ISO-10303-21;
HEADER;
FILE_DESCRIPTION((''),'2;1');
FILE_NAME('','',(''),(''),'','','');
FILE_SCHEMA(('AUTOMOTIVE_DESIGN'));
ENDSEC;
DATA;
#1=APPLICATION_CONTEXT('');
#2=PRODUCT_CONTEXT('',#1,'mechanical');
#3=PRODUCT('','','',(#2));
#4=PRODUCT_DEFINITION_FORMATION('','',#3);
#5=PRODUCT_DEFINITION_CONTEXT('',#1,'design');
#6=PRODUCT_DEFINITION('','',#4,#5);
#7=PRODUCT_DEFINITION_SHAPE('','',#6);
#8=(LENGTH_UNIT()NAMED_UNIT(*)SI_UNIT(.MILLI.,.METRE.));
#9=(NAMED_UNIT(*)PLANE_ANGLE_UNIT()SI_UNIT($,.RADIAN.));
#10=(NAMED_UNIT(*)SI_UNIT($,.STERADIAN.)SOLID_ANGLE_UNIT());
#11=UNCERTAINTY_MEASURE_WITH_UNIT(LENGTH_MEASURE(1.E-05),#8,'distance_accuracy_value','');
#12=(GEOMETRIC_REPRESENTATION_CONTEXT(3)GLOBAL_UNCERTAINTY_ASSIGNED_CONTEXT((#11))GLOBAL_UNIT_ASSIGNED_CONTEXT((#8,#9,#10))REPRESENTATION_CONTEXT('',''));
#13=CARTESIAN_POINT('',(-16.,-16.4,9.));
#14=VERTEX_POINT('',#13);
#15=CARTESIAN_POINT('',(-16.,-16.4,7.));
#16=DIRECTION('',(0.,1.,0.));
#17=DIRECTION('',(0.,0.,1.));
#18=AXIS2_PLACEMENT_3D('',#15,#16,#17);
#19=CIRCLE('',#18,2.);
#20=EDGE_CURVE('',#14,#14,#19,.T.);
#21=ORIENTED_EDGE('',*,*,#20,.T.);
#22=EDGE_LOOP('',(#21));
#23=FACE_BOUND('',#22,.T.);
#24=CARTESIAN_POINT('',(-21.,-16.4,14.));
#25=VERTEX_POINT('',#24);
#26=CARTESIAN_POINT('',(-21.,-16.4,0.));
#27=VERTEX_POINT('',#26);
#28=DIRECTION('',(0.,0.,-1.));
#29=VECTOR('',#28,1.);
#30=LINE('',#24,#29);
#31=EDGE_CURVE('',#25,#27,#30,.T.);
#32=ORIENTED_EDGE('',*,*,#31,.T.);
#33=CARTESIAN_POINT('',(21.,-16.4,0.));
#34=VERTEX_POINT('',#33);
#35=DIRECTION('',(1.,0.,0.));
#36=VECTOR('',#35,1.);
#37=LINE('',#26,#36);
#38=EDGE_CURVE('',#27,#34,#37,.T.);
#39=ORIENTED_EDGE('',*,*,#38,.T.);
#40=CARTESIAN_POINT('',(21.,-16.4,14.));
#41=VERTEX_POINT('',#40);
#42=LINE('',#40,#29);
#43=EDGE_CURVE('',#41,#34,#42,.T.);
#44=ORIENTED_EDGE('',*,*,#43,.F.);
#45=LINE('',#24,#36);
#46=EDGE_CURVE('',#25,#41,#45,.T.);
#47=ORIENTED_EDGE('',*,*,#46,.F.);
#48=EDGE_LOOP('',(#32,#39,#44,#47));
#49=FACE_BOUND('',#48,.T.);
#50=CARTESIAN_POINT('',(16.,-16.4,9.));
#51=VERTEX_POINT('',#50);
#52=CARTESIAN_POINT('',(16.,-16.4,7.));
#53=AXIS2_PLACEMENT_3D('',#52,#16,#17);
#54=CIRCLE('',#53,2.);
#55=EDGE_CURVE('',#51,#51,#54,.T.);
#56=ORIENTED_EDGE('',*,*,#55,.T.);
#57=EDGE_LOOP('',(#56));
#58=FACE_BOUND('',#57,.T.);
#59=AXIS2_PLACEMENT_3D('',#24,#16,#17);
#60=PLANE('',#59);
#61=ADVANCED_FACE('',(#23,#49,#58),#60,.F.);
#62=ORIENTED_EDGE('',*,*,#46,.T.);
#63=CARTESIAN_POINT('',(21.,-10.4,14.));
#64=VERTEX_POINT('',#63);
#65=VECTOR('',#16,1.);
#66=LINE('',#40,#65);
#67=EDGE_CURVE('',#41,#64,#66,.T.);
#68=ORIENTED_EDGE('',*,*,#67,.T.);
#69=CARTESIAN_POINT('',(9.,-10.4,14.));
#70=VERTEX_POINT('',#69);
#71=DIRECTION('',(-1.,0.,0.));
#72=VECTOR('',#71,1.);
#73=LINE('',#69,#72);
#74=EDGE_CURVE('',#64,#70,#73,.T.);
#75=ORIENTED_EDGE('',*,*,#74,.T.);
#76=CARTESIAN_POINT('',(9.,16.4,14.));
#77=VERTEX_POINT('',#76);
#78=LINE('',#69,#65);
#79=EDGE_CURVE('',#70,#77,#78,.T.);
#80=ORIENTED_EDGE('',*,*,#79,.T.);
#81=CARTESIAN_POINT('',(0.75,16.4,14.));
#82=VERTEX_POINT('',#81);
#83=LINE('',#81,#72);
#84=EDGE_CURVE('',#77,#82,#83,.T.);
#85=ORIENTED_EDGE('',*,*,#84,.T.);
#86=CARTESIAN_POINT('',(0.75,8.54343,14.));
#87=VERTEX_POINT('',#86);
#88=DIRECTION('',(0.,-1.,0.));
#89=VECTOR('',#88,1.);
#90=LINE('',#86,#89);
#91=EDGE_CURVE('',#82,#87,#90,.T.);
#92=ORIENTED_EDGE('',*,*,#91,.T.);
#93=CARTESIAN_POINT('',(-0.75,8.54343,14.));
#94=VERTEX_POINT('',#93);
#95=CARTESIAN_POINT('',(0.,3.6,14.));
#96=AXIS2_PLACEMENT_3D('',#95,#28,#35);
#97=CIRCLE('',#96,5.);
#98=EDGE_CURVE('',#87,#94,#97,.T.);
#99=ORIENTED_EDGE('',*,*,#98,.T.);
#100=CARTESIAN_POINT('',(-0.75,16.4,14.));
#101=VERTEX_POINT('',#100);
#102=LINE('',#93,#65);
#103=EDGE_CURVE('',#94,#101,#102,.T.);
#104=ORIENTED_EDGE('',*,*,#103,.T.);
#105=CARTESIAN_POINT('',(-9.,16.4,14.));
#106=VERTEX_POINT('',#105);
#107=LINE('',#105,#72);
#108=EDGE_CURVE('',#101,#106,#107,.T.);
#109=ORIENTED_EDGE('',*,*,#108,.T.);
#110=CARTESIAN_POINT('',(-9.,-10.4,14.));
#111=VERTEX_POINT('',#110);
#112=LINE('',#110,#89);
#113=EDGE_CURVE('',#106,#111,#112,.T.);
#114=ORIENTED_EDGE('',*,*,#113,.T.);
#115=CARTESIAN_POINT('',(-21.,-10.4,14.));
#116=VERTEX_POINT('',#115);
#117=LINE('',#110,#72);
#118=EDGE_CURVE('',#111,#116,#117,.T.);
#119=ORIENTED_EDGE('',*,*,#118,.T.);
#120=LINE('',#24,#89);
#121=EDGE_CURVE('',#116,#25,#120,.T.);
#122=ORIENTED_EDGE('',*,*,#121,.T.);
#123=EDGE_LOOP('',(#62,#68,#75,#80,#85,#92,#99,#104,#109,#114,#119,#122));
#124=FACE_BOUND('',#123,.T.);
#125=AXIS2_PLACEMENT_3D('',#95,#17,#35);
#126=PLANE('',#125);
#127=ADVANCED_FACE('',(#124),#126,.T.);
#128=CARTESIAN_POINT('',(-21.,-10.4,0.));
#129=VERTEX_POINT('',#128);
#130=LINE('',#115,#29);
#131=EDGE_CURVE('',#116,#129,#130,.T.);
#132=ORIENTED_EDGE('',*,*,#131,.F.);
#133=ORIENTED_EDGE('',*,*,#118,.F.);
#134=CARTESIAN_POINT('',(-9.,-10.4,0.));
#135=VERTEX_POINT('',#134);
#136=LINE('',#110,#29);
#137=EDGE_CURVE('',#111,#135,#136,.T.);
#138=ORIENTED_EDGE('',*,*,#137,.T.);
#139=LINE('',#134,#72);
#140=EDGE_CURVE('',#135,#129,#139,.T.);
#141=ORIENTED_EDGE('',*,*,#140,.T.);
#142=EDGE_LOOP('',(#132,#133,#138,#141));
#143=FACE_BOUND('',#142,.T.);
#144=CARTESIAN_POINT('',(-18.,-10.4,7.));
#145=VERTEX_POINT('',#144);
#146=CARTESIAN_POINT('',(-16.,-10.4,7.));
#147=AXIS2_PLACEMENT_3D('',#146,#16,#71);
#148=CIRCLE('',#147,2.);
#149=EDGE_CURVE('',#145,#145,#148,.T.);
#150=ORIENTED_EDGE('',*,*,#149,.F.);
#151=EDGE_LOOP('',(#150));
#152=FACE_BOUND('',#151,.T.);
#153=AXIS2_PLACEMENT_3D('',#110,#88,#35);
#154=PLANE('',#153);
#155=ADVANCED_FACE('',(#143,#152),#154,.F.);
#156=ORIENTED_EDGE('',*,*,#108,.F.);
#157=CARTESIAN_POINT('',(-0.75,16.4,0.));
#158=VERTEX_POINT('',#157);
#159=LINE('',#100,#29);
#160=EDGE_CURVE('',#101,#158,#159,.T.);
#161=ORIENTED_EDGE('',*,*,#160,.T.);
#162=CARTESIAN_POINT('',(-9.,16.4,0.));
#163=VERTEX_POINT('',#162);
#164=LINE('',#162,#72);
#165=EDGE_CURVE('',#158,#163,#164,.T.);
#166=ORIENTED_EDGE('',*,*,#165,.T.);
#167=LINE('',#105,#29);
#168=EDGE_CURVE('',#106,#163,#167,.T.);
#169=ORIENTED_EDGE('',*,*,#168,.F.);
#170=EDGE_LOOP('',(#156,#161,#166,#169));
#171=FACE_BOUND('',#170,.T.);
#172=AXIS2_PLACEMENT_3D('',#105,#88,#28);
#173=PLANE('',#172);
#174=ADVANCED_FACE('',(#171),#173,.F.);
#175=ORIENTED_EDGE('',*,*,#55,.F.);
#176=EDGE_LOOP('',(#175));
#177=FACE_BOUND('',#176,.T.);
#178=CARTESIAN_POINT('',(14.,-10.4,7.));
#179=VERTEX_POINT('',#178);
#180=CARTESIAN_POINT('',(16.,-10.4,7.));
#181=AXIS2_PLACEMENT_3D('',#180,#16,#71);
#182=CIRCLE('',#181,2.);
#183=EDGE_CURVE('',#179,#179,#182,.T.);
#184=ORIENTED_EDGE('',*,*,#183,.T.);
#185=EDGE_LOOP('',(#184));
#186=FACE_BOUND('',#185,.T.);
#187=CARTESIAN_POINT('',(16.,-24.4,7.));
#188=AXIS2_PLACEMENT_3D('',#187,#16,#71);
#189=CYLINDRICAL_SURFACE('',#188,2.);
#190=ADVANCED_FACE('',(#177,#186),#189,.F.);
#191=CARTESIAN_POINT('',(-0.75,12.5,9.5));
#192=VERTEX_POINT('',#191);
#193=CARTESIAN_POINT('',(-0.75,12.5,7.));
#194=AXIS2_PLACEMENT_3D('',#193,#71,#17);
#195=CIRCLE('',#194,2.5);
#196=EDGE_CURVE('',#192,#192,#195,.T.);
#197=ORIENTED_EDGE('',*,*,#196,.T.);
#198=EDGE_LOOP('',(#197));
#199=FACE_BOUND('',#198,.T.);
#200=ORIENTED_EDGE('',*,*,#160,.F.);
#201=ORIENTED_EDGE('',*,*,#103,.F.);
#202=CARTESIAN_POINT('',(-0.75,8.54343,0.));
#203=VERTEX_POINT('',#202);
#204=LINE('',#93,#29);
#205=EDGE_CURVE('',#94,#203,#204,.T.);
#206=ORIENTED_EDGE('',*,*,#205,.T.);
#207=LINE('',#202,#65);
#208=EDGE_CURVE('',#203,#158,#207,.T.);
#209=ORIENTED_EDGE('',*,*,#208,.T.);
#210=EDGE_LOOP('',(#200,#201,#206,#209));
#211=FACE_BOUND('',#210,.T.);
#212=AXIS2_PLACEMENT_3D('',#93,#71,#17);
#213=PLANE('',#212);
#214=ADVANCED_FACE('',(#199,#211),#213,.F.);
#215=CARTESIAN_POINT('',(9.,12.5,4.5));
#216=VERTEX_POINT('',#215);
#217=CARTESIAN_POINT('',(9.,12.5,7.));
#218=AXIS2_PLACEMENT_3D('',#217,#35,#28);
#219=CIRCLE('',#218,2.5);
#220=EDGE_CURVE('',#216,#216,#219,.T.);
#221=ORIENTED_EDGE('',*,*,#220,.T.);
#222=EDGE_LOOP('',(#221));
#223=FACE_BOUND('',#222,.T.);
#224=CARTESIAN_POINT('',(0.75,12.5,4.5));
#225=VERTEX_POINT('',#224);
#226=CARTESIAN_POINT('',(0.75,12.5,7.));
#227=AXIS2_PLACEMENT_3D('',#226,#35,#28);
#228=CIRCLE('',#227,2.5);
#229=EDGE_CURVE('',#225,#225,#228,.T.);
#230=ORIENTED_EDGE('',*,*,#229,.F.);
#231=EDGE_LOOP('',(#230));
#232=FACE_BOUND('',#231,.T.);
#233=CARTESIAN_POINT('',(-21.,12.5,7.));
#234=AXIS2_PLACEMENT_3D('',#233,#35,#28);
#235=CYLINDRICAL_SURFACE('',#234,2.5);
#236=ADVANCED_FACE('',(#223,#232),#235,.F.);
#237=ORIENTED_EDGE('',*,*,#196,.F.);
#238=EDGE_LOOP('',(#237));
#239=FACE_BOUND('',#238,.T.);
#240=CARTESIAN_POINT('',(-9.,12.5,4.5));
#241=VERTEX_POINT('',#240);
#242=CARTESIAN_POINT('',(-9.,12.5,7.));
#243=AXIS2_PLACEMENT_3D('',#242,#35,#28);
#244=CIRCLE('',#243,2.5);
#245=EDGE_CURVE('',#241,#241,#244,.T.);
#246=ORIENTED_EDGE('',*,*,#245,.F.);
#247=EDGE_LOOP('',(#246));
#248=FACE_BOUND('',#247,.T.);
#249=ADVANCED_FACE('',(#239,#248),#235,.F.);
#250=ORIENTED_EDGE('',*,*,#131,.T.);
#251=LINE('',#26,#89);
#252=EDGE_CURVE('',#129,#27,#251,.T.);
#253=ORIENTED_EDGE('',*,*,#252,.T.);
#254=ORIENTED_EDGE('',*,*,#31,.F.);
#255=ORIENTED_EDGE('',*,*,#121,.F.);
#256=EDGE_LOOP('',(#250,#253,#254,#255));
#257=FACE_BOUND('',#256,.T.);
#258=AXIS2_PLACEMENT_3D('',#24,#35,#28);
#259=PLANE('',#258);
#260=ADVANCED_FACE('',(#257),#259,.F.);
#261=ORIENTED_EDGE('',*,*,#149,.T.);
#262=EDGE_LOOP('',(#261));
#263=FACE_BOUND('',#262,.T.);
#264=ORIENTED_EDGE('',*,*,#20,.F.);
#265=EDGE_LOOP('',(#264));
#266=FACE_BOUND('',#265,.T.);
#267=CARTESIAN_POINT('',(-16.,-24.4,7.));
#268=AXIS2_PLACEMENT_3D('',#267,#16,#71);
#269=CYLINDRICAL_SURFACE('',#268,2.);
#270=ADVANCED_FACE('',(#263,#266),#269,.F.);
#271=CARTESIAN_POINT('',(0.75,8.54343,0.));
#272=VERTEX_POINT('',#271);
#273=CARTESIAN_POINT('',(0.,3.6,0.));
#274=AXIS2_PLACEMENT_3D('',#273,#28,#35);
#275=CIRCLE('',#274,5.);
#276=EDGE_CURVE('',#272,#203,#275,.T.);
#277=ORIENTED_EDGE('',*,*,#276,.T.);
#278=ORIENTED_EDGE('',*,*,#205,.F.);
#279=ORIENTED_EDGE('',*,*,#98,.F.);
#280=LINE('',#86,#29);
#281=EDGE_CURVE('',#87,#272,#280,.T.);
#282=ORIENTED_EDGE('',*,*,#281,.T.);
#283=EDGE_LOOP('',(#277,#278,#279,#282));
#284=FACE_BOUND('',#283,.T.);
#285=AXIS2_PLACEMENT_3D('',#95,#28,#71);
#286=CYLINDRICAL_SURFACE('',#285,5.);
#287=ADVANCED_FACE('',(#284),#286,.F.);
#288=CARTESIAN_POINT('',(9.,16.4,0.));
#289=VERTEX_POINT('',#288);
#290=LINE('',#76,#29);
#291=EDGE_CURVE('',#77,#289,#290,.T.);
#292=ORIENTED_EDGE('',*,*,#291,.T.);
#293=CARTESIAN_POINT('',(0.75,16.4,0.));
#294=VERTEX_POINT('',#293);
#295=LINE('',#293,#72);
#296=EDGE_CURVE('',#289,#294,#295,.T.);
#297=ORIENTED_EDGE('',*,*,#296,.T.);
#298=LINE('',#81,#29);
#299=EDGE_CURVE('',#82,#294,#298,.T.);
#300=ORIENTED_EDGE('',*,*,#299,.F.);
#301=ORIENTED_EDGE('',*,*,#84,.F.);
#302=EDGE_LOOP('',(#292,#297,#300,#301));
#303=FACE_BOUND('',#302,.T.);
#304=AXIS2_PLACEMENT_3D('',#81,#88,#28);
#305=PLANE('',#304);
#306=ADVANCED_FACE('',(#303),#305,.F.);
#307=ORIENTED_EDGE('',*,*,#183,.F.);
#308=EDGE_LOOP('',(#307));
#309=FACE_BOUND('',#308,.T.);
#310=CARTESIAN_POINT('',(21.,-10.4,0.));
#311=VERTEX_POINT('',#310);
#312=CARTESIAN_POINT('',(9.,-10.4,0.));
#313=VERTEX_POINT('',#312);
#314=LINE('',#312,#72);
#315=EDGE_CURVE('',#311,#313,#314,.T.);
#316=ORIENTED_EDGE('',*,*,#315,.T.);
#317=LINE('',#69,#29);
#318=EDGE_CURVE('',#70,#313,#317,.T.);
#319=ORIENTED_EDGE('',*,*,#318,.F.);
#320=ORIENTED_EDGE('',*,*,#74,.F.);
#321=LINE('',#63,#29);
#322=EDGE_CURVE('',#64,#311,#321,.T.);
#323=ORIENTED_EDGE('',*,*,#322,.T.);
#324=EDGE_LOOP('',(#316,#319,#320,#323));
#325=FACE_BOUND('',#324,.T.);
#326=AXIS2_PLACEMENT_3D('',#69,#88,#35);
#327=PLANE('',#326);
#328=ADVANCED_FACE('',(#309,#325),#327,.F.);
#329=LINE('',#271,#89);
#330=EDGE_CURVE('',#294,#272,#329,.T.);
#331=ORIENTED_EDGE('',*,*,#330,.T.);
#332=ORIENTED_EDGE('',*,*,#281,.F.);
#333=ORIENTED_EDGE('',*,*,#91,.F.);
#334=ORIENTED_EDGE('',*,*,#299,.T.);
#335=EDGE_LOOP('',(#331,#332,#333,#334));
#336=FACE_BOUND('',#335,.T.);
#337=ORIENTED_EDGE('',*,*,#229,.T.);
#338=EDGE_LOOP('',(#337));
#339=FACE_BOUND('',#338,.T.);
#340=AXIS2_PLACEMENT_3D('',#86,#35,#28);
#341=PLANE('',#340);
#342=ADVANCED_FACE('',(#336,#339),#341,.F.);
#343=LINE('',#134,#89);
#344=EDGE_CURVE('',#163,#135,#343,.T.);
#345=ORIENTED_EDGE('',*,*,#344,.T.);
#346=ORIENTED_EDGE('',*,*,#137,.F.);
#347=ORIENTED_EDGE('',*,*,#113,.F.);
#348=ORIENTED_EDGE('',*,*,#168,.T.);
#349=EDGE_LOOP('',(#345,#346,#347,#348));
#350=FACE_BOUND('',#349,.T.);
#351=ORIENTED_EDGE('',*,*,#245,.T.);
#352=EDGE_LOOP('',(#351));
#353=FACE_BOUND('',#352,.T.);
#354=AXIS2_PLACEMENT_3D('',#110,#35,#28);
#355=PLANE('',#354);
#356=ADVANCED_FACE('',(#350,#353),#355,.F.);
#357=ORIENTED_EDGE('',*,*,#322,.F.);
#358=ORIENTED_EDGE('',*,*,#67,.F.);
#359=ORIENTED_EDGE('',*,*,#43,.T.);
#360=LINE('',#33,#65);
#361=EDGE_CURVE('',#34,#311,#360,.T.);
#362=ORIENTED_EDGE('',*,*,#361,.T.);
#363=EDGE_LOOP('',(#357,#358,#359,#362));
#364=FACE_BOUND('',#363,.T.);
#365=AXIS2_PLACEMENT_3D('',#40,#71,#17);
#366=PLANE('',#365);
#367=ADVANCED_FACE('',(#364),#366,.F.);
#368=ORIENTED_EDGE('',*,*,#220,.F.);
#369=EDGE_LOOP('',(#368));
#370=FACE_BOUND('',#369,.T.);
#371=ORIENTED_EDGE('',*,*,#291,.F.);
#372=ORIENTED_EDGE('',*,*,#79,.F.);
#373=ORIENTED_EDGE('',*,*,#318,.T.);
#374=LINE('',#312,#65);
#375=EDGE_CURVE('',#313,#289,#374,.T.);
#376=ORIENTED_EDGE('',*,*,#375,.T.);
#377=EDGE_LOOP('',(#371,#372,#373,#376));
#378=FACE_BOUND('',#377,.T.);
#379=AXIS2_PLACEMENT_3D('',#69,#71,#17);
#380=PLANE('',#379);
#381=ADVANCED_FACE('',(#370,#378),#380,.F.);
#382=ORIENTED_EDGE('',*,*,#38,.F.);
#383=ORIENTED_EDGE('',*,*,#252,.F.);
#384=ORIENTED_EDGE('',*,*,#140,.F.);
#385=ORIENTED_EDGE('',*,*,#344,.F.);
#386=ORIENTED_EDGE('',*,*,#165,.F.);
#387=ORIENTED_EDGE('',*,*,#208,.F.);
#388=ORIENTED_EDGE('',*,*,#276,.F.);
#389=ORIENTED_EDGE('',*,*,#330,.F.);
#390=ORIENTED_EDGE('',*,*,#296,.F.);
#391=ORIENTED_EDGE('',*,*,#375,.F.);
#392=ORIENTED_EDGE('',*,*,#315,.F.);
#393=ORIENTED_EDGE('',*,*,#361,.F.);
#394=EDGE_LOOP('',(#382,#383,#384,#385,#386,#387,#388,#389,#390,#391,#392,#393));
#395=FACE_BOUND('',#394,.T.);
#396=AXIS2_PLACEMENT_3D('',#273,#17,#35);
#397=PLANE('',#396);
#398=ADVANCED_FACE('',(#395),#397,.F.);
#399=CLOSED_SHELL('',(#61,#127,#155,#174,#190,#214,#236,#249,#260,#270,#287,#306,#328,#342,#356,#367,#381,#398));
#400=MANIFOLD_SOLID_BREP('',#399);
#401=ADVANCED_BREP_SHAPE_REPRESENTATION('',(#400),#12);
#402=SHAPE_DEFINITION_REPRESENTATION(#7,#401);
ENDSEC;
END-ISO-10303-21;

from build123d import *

# Parameters (mm, degrees)
BOSS_EXTRUDE1_DEPTH = 14
SKETCH2_R           = 2.5
CUT_EXTRUDE1_DEPTH  = 37.945365068
SKETCH3_R           = 2
CUT_EXTRUDE2_DEPTH  = 14


with BuildPart() as part:
    # Sketch1 → Boss-Extrude1 (new body)
    with BuildSketch(Plane.XY):
        with BuildLine():
            Line((-21, -16.4), (21, -16.4))
            Line((21, -16.4), (21, -10.4))
            Line((21, -10.4), (9, -10.4))
            Line((9, -10.4), (9, 16.4))
            Line((9, 16.4), (0.75, 16.4))
            Line((0.75, 16.4), (0.75, 8.543429983))
            ThreePointArc((0.75, 8.543429983), (0, -1.4), (-0.75, 8.543429983))
            Line((-0.75, 8.543429983), (-0.75, 16.4))
            Line((-0.75, 16.4), (-9, 16.4))
            Line((-9, 16.4), (-9, -10.4))
            Line((-9, -10.4), (-21, -10.4))
            Line((-21, -10.4), (-21, -16.4))
        make_face()
    extrude(amount=BOSS_EXTRUDE1_DEPTH)

    # Sketch2 → Cut-Extrude1 (cut, through all)
    with BuildSketch(Plane(origin=(9, 0, 0), x_dir=(0, 0, -1), z_dir=(1, 0, 0))):
        with Locations((-7, 12.5)):
            Circle(SKETCH2_R)
    extrude(amount=-CUT_EXTRUDE1_DEPTH, mode=Mode.SUBTRACT)

    # Sketch3 → Cut-Extrude2 (cut)
    with BuildSketch(Plane(origin=(0, -10.4, 0), x_dir=(1, 0, 0), z_dir=(0, 1, 0))):
        with Locations(Location((-16, -7, 0), (0, 0, 180))):
            Circle(SKETCH3_R)
        with Locations(Location((16, -7, 0), (0, 0, 180))):
            Circle(SKETCH3_R)
    extrude(amount=-CUT_EXTRUDE2_DEPTH, mode=Mode.SUBTRACT)


solid = part.part
